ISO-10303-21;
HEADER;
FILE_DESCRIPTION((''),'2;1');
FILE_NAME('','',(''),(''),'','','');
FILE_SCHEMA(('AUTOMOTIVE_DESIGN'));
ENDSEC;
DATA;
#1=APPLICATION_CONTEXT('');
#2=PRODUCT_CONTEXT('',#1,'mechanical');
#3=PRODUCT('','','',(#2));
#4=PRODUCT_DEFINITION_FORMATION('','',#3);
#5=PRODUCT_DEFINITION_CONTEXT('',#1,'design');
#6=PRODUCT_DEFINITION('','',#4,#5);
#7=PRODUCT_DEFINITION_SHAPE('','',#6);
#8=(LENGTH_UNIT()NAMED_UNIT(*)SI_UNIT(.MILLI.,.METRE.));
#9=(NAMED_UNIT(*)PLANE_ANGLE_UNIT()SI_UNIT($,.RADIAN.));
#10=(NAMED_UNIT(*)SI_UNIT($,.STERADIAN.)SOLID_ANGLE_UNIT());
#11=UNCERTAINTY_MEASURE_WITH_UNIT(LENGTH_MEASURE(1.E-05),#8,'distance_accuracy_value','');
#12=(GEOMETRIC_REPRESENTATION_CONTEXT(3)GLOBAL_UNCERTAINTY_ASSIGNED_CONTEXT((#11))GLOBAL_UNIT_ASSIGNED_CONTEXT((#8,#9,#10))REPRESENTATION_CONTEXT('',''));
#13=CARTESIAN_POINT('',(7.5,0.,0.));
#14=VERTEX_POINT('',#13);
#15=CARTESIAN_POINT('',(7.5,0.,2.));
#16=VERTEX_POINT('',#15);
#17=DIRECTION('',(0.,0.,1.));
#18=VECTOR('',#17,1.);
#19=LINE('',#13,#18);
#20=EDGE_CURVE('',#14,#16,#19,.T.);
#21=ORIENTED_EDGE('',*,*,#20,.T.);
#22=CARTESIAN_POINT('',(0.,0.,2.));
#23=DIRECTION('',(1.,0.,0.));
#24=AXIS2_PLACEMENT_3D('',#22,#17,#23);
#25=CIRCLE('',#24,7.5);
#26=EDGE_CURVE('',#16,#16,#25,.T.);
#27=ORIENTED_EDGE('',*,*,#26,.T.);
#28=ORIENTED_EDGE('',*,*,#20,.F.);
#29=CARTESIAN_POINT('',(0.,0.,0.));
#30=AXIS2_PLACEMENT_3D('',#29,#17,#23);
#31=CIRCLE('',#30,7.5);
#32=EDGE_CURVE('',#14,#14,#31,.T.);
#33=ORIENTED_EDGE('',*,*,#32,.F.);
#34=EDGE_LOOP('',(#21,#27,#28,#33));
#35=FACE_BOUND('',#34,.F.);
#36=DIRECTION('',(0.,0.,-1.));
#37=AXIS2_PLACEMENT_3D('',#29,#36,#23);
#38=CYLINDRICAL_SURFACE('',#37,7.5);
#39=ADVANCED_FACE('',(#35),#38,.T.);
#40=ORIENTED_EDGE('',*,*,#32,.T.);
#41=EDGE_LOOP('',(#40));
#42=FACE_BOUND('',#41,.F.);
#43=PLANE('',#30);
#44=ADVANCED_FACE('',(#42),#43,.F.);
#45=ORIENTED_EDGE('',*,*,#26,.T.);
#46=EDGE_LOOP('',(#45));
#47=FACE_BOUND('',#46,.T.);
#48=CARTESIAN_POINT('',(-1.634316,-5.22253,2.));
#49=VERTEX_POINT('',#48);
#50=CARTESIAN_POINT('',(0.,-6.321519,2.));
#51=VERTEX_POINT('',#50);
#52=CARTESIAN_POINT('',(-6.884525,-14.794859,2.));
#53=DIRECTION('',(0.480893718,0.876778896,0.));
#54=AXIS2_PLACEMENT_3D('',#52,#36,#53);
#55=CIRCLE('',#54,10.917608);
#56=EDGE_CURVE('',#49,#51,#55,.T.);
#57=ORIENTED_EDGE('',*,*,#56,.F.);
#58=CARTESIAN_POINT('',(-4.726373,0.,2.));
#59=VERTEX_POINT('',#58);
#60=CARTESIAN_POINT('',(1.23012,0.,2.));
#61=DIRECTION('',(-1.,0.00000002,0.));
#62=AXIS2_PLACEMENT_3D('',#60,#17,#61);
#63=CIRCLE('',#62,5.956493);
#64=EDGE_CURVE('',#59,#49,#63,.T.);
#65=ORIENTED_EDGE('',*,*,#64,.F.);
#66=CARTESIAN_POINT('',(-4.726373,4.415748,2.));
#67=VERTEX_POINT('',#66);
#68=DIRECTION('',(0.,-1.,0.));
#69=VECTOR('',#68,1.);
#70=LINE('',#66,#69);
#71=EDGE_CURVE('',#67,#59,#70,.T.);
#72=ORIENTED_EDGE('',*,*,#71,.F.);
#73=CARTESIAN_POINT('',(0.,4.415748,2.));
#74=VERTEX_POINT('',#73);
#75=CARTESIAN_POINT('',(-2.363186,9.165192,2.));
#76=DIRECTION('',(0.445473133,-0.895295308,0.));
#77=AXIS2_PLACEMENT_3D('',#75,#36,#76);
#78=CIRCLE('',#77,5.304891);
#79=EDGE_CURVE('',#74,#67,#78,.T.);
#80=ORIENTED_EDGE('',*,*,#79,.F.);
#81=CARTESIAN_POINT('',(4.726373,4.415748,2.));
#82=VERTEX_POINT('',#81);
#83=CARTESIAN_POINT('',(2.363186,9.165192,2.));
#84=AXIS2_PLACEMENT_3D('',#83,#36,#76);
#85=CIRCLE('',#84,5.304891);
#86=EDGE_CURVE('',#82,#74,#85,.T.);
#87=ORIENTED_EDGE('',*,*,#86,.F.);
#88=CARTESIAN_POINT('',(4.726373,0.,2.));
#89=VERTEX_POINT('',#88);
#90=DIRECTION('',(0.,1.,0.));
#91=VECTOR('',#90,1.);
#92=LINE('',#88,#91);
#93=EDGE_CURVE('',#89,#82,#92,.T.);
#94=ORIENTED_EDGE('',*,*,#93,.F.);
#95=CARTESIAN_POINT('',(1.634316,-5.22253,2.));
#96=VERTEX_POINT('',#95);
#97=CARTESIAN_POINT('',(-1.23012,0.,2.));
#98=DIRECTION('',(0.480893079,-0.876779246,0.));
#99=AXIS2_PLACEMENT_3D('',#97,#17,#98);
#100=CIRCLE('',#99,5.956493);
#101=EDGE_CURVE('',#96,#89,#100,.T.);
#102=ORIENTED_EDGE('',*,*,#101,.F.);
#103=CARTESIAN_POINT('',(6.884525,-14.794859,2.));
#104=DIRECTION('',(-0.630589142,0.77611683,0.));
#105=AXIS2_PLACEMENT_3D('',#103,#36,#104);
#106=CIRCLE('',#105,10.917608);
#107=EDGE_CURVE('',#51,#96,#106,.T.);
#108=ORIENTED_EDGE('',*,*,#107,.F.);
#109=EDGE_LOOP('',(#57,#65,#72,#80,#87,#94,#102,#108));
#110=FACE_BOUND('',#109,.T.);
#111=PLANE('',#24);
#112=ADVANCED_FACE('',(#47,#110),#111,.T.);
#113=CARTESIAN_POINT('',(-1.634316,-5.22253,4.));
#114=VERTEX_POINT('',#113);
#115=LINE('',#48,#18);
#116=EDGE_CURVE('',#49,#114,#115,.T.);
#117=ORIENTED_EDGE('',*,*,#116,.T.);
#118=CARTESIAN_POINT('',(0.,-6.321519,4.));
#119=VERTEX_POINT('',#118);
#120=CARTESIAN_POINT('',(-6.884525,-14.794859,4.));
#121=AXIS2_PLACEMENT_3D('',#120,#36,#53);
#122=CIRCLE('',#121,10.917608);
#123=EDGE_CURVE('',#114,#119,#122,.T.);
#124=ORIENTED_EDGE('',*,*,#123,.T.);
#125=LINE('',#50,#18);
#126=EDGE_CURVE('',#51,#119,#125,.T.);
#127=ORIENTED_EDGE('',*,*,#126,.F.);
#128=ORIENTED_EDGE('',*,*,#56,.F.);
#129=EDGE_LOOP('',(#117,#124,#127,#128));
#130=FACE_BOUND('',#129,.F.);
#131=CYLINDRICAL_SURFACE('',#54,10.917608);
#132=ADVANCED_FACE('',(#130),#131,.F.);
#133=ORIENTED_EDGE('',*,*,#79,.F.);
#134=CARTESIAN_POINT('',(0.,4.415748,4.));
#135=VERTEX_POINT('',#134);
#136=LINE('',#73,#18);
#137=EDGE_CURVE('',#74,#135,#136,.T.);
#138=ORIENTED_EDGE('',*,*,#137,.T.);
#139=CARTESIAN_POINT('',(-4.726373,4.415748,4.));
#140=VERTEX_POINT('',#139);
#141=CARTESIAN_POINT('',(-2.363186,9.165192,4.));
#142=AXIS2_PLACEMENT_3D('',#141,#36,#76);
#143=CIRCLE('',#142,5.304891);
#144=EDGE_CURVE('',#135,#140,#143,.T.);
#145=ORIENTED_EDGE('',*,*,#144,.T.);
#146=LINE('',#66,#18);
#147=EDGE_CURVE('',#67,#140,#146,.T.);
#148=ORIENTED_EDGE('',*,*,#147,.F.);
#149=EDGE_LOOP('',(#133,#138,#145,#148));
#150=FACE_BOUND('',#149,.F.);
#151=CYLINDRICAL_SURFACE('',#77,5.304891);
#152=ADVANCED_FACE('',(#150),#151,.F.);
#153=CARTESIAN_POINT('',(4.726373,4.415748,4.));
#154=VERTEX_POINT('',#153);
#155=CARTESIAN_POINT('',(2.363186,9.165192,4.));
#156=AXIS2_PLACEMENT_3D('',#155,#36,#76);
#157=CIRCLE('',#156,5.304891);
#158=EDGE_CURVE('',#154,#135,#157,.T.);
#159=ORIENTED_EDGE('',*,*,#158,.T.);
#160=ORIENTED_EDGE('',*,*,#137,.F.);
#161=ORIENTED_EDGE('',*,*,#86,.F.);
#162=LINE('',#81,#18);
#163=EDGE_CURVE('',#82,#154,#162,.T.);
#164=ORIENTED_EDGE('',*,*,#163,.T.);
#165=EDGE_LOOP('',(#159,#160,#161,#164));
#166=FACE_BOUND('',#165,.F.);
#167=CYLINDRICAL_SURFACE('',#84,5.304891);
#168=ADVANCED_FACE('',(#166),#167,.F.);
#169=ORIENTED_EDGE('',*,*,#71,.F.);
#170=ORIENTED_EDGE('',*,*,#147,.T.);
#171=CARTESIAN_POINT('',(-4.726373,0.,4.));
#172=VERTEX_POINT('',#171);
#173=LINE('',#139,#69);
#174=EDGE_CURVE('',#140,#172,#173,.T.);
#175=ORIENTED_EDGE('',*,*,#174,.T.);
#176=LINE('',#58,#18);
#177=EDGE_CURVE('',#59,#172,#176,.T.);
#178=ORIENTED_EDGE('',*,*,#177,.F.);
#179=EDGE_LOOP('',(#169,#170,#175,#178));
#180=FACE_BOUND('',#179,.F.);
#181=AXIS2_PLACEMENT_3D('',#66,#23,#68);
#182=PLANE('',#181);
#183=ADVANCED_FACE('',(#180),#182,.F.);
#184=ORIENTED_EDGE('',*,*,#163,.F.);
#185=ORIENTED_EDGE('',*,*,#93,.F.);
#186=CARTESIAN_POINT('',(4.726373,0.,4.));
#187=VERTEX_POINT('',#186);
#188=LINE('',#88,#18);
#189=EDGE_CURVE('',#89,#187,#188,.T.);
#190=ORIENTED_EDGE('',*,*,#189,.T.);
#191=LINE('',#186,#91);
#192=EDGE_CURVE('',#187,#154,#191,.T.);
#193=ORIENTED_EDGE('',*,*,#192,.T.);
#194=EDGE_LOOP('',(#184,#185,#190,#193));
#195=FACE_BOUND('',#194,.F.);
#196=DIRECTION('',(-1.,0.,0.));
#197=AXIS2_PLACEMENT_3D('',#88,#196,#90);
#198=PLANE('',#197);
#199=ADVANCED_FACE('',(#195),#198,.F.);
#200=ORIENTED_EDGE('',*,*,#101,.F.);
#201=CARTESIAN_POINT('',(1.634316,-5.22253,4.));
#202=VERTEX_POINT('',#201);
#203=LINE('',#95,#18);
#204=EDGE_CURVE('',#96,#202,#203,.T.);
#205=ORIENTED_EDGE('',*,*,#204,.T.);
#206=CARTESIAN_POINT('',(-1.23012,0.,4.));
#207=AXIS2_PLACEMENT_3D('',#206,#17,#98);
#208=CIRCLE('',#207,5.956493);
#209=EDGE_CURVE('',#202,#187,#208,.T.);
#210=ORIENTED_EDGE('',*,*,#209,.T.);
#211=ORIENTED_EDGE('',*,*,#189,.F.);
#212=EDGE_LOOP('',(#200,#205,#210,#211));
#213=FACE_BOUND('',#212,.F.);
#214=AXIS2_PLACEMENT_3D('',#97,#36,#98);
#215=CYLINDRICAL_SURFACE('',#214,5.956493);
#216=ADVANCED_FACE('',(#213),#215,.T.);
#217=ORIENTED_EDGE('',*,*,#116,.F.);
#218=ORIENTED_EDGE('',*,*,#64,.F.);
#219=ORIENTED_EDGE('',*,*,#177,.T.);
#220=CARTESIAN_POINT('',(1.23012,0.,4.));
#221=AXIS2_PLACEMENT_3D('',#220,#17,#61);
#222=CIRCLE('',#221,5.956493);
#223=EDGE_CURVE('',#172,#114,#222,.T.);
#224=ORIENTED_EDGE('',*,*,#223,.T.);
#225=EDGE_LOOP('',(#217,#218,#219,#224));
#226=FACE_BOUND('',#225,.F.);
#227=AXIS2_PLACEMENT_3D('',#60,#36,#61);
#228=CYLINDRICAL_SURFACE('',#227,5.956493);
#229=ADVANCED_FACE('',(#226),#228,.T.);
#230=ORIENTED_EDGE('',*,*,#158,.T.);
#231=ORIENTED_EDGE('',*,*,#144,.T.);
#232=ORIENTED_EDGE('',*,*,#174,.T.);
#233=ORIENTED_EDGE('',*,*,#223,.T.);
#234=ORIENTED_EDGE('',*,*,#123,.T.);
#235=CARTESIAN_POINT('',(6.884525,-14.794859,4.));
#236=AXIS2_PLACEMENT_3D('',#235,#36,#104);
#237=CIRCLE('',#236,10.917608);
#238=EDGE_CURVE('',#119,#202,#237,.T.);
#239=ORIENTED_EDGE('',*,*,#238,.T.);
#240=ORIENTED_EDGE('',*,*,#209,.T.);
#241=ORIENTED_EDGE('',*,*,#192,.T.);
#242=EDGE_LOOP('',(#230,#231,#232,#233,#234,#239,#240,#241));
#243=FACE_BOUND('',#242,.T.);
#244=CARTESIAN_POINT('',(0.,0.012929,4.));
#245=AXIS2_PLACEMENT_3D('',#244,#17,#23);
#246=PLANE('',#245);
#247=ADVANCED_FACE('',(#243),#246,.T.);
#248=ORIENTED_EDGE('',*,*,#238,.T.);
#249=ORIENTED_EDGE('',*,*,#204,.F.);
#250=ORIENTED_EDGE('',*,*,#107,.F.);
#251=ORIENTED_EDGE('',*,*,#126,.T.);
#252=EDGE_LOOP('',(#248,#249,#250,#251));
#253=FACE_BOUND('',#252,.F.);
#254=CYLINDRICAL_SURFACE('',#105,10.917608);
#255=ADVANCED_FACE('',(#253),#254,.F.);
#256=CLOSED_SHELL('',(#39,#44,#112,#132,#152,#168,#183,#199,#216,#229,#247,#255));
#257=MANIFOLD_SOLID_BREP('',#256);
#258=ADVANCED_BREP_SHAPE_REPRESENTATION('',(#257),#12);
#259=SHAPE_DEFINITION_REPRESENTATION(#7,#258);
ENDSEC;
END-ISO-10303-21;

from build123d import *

# Parameters (mm, degrees)
F0_R     = 7.5
F1_DEPTH = 2
F3_DEPTH = 2


with BuildPart() as f1:
    # F0 (on Top) → F1 (new body)
    with BuildSketch(Plane.XY):
        Circle(F0_R)
    extrude(amount=F1_DEPTH)

    # F2 (on face) → F3 (join)
    with BuildSketch(Plane.XY.offset(2)):
        with BuildLine():
            ThreePointArc((-1.634316, -5.22253), (-0.792326, -5.735097), (0, -6.321519))
            ThreePointArc((0, -6.321519), (0.792326, -5.735097), (1.634316, -5.22253))
            ThreePointArc((1.634316, -5.22253), (3.895395, -3.034618), (4.726373, 0))
            Line((4.726373, 0), (4.726373, 4.415748))
            ThreePointArc((4.726373, 4.415748), (2.363187, 3.860301), (0, 4.415748))
            ThreePointArc((0, 4.415748), (-2.363187, 3.860301), (-4.726373, 4.415748))
            Line((-4.726373, 4.415748), (-4.726373, 0))
            ThreePointArc((-4.726373, 0), (-3.895395, -3.034618), (-1.634316, -5.22253))
        make_face()
    extrude(amount=F3_DEPTH)


solid = f1.part
